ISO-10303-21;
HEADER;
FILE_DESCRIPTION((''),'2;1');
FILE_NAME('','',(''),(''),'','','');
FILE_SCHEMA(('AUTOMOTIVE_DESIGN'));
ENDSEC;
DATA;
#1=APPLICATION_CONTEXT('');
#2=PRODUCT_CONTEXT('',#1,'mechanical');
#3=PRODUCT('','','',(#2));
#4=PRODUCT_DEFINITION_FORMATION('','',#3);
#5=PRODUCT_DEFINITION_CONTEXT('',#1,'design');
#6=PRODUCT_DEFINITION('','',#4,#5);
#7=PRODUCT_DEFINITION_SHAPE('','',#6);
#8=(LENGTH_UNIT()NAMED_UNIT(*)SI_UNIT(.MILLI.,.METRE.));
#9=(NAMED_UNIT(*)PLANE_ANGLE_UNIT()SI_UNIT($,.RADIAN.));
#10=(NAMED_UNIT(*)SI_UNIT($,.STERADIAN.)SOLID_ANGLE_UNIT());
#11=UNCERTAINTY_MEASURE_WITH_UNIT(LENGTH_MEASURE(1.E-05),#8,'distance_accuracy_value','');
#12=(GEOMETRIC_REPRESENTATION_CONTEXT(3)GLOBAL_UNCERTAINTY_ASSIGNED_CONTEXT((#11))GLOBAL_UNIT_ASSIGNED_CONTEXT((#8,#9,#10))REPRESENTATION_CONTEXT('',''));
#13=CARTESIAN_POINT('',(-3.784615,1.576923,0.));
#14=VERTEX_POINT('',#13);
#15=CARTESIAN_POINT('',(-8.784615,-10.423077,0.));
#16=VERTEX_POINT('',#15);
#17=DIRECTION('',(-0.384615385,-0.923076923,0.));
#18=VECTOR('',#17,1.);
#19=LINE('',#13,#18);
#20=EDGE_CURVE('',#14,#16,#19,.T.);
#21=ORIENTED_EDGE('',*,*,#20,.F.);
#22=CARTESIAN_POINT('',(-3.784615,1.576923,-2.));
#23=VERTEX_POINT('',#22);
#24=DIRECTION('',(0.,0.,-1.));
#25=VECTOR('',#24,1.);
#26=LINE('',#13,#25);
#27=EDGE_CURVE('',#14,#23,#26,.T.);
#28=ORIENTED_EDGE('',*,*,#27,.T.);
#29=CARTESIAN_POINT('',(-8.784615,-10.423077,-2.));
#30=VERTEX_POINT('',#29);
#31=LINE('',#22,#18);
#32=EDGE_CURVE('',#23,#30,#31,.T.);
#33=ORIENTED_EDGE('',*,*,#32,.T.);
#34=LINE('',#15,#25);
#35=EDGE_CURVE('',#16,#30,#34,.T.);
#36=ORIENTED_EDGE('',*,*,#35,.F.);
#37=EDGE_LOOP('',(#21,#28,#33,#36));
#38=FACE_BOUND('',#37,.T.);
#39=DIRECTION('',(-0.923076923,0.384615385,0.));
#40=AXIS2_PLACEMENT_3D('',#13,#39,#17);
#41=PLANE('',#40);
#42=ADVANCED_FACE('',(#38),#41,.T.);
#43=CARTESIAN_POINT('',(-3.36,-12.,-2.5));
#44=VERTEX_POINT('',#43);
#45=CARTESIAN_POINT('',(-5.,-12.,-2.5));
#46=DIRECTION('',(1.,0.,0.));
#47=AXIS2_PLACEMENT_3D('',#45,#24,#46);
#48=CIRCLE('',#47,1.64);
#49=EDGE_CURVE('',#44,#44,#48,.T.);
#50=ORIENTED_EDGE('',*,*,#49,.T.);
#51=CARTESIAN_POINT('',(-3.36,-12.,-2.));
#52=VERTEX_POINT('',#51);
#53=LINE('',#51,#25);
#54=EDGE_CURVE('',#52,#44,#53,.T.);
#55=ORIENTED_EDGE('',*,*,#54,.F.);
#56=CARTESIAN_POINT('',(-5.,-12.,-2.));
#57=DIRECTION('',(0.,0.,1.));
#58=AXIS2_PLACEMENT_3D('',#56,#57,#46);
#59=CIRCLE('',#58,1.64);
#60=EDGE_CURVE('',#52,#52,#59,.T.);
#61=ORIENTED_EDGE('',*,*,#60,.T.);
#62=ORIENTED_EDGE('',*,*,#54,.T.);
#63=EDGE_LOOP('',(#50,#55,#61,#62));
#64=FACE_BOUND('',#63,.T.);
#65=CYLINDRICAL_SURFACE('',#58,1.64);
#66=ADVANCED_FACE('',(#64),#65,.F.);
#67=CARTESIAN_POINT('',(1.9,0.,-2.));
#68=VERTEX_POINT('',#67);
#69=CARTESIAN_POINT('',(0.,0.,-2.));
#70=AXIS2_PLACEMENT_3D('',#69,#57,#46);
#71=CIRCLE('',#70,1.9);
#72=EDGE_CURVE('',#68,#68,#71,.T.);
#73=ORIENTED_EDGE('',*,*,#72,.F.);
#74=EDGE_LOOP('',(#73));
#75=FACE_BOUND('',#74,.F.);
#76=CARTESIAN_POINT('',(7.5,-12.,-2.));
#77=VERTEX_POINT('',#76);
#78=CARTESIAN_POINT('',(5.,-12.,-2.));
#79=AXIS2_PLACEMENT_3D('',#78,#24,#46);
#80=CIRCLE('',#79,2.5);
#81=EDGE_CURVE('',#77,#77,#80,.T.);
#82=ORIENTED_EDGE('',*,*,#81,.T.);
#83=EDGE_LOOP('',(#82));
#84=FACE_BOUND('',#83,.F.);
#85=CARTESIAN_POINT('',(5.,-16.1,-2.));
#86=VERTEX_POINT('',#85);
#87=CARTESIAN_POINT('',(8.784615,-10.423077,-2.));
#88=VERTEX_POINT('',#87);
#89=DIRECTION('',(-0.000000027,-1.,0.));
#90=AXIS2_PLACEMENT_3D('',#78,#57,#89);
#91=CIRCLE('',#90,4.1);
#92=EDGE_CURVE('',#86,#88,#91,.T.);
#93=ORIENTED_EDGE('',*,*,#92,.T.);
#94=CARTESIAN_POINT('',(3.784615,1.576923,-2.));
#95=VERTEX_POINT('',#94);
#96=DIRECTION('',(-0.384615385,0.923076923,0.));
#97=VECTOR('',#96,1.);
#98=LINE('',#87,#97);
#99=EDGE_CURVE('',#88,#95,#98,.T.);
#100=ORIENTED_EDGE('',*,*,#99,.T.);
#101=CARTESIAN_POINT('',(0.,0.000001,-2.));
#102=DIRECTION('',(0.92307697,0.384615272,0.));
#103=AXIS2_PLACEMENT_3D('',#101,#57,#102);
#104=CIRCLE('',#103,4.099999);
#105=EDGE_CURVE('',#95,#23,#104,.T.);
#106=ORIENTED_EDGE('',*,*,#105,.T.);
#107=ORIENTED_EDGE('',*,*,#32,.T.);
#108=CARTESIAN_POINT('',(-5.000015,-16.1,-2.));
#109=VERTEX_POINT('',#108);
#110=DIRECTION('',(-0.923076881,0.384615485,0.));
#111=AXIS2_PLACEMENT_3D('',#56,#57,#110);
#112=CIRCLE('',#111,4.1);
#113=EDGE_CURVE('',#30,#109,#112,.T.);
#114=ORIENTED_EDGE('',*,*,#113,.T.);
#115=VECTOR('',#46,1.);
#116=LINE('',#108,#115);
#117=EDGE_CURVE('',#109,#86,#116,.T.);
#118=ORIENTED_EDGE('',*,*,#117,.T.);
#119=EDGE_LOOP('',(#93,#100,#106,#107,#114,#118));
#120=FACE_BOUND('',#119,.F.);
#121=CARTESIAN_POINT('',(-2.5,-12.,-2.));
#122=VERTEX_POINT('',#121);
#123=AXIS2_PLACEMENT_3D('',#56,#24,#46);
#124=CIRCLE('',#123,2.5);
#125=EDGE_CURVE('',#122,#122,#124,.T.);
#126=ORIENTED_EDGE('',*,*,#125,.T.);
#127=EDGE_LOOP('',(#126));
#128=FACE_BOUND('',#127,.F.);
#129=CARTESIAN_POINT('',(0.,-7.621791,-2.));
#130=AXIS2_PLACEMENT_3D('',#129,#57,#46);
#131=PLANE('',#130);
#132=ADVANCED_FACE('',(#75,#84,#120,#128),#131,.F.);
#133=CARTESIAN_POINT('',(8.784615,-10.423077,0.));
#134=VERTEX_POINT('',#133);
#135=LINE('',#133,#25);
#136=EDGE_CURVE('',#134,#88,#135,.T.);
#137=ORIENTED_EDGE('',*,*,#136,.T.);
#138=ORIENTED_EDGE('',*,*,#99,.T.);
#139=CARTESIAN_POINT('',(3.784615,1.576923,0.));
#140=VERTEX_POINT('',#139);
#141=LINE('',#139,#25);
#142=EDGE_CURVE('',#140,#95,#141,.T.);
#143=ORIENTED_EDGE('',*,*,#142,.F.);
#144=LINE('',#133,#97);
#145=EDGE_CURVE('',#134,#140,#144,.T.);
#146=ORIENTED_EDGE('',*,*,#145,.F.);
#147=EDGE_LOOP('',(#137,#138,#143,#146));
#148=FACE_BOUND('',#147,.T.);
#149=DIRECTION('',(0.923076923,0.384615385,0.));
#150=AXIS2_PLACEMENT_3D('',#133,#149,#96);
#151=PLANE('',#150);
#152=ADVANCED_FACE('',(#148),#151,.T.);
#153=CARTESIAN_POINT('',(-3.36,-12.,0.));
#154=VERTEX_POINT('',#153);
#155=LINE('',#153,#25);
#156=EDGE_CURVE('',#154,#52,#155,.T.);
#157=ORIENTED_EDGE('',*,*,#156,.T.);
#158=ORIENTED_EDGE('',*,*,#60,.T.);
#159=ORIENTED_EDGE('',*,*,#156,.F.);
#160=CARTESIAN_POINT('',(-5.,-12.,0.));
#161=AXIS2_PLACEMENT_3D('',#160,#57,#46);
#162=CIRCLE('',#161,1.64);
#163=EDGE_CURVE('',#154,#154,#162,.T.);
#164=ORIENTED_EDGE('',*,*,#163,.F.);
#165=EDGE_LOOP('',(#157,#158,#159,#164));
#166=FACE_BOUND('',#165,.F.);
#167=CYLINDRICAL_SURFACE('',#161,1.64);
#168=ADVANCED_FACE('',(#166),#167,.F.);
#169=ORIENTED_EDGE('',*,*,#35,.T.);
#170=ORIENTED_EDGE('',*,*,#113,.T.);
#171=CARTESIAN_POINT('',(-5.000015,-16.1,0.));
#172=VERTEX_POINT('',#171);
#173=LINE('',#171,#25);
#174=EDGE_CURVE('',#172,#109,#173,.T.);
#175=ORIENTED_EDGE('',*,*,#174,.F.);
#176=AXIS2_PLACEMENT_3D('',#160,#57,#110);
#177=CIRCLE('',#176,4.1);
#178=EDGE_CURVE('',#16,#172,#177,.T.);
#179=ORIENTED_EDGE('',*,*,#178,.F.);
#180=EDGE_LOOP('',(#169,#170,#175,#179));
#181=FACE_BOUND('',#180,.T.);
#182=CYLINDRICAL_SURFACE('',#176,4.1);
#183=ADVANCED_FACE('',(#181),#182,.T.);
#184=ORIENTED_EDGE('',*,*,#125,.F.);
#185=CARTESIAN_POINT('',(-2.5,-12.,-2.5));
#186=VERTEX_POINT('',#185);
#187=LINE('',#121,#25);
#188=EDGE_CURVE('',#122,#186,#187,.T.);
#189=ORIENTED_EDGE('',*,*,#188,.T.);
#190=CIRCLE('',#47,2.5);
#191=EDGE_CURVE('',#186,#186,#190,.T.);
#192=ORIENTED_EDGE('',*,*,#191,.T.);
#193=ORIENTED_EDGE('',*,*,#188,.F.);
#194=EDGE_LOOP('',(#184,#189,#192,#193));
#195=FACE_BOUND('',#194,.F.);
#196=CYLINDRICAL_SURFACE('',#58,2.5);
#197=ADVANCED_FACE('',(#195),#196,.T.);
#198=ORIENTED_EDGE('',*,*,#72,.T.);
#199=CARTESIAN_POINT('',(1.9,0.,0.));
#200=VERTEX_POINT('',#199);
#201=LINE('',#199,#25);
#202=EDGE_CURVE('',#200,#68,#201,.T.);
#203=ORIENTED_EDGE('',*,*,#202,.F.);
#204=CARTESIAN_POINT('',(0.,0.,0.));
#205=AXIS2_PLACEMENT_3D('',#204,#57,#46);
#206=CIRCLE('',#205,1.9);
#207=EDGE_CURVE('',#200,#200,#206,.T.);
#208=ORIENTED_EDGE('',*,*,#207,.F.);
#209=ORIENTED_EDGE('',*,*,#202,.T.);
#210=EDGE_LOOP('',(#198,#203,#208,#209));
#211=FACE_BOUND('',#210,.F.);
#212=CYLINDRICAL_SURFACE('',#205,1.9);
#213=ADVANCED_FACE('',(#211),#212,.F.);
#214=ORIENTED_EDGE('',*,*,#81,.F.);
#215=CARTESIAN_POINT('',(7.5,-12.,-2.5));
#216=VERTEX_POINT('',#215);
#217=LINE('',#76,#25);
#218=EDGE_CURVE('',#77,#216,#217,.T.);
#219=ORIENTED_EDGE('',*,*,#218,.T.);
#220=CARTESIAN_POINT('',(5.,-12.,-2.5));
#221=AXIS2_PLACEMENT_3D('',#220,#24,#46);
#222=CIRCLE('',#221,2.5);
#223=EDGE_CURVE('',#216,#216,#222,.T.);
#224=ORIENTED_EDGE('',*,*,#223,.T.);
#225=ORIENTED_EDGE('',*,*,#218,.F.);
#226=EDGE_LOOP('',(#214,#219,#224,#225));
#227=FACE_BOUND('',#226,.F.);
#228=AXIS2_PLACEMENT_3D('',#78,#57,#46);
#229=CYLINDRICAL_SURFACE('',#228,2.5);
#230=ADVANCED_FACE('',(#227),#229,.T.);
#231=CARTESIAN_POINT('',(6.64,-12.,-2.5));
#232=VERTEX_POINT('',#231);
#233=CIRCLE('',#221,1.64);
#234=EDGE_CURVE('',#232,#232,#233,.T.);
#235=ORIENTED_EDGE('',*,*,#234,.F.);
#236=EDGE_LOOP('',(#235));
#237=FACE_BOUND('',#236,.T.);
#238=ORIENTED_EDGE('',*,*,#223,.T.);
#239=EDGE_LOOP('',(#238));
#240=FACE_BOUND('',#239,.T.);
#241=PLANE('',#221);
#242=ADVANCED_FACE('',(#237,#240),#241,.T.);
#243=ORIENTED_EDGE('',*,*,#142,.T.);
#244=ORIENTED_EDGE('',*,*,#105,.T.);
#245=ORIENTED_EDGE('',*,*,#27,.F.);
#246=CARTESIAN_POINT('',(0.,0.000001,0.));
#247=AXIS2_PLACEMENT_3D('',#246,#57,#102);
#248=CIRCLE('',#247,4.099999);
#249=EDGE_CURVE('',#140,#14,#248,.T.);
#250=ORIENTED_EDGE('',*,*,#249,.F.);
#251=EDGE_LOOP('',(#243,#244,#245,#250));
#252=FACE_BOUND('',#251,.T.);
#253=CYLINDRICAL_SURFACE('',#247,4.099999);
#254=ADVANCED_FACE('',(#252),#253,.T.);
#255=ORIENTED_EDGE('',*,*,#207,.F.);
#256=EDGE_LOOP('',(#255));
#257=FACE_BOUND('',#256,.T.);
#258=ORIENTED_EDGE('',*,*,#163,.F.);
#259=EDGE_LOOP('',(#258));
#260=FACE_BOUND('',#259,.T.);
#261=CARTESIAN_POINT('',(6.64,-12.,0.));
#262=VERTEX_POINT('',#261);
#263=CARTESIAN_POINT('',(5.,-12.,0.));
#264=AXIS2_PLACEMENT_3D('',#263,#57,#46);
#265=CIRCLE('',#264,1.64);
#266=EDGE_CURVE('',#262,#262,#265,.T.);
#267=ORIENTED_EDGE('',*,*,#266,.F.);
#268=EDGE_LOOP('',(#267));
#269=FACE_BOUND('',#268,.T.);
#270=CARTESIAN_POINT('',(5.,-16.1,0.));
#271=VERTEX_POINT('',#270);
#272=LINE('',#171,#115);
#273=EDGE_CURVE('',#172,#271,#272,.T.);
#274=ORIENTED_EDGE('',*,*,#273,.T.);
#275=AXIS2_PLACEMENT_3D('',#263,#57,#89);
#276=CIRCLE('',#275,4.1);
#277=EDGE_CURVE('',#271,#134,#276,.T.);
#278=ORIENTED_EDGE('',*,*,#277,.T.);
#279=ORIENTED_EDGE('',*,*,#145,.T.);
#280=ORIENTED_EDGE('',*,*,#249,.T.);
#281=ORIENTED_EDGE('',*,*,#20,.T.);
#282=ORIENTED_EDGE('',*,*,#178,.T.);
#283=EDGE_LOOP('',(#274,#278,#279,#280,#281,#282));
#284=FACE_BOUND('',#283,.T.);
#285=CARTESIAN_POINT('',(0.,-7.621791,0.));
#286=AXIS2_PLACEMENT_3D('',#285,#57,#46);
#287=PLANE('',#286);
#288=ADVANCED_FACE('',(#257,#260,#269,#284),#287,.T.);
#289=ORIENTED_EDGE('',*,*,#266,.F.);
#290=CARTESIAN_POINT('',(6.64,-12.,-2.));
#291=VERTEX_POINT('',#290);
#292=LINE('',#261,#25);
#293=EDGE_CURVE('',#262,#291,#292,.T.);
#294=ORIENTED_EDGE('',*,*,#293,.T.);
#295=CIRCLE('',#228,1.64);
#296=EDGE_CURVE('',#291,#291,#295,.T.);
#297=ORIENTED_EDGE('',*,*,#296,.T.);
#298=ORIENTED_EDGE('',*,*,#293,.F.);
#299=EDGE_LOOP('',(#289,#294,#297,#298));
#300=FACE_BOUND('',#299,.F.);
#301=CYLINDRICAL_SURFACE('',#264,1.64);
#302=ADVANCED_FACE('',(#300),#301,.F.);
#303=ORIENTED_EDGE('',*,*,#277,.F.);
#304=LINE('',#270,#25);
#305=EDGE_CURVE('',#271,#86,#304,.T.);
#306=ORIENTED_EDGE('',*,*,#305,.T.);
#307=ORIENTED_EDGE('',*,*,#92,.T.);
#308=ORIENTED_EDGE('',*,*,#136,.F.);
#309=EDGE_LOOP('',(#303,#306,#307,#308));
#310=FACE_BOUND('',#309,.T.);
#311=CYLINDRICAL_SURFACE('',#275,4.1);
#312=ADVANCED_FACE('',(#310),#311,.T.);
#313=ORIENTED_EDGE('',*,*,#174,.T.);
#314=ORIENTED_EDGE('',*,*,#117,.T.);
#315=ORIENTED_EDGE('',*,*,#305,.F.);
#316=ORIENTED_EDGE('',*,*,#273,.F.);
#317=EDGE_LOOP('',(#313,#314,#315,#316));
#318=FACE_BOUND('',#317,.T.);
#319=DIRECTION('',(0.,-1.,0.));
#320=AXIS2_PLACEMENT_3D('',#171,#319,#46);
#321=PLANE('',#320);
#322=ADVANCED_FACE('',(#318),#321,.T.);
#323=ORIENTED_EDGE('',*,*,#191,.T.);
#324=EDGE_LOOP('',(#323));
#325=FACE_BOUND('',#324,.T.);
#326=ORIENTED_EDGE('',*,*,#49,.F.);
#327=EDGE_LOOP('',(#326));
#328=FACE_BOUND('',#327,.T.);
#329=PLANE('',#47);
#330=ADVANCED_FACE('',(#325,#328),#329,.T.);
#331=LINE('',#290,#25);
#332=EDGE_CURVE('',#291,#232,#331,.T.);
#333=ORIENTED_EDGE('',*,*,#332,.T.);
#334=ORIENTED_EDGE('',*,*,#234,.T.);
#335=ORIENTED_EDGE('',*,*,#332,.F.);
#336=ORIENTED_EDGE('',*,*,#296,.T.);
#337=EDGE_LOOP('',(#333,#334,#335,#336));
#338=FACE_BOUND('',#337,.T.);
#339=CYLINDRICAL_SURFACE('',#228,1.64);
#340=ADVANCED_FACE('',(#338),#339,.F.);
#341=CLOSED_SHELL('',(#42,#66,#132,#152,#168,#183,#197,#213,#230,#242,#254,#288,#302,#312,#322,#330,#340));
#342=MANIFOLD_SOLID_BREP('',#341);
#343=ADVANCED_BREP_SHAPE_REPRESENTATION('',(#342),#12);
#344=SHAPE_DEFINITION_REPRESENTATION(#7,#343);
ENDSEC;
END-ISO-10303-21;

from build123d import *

# Parameters (mm, degrees)
SKETCH_R      = 1.64
SKETCH_R_2    = 1.9
PAD_DEPTH     = 2
SKETCH001_R   = 2.5
SKETCH001_R_2 = 1.64
PAD001_DEPTH  = 0.5


with BuildPart() as part:
    # Sketch → Pad (new body)
    with BuildSketch(Plane.XY):
        with BuildLine():
            ThreePointArc((3.784615, 1.576923), (0, 4.1), (-3.784615, 1.576923))
            Line((-3.784615, 1.576923), (-8.784615, -10.423077))
            ThreePointArc((-8.784615, -10.423077), (-8.41141, -14.274265), (-5.000015, -16.1))
            Line((-5.000015, -16.1), (5, -16.1))
            ThreePointArc((5, -16.1), (8.411406, -14.274271), (8.784615, -10.423077))
            Line((8.784615, -10.423077), (3.784615, 1.576923))
        make_face()
        with Locations((-5, -12)):
            Circle(SKETCH_R, mode=Mode.SUBTRACT)
        with Locations((5, -12)):
            Circle(SKETCH_R, mode=Mode.SUBTRACT)
        Circle(SKETCH_R_2, mode=Mode.SUBTRACT)
    extrude(amount=-PAD_DEPTH)

    # Sketch001 (on Face11 of Pad) → Pad001 (join)
    with BuildSketch(Plane(origin=(0, 0, -2), x_dir=(1, 0, 0), z_dir=(0, 0, -1))):
        with Locations((-5, 12)):
            Circle(SKETCH001_R)
        with Locations((-5, 12)):
            Circle(SKETCH001_R_2, mode=Mode.SUBTRACT)
        with Locations((5, 12)):
            Circle(SKETCH001_R)
        with Locations((5, 12)):
            Circle(SKETCH001_R_2, mode=Mode.SUBTRACT)
    extrude(amount=PAD001_DEPTH)


solid = part.part
